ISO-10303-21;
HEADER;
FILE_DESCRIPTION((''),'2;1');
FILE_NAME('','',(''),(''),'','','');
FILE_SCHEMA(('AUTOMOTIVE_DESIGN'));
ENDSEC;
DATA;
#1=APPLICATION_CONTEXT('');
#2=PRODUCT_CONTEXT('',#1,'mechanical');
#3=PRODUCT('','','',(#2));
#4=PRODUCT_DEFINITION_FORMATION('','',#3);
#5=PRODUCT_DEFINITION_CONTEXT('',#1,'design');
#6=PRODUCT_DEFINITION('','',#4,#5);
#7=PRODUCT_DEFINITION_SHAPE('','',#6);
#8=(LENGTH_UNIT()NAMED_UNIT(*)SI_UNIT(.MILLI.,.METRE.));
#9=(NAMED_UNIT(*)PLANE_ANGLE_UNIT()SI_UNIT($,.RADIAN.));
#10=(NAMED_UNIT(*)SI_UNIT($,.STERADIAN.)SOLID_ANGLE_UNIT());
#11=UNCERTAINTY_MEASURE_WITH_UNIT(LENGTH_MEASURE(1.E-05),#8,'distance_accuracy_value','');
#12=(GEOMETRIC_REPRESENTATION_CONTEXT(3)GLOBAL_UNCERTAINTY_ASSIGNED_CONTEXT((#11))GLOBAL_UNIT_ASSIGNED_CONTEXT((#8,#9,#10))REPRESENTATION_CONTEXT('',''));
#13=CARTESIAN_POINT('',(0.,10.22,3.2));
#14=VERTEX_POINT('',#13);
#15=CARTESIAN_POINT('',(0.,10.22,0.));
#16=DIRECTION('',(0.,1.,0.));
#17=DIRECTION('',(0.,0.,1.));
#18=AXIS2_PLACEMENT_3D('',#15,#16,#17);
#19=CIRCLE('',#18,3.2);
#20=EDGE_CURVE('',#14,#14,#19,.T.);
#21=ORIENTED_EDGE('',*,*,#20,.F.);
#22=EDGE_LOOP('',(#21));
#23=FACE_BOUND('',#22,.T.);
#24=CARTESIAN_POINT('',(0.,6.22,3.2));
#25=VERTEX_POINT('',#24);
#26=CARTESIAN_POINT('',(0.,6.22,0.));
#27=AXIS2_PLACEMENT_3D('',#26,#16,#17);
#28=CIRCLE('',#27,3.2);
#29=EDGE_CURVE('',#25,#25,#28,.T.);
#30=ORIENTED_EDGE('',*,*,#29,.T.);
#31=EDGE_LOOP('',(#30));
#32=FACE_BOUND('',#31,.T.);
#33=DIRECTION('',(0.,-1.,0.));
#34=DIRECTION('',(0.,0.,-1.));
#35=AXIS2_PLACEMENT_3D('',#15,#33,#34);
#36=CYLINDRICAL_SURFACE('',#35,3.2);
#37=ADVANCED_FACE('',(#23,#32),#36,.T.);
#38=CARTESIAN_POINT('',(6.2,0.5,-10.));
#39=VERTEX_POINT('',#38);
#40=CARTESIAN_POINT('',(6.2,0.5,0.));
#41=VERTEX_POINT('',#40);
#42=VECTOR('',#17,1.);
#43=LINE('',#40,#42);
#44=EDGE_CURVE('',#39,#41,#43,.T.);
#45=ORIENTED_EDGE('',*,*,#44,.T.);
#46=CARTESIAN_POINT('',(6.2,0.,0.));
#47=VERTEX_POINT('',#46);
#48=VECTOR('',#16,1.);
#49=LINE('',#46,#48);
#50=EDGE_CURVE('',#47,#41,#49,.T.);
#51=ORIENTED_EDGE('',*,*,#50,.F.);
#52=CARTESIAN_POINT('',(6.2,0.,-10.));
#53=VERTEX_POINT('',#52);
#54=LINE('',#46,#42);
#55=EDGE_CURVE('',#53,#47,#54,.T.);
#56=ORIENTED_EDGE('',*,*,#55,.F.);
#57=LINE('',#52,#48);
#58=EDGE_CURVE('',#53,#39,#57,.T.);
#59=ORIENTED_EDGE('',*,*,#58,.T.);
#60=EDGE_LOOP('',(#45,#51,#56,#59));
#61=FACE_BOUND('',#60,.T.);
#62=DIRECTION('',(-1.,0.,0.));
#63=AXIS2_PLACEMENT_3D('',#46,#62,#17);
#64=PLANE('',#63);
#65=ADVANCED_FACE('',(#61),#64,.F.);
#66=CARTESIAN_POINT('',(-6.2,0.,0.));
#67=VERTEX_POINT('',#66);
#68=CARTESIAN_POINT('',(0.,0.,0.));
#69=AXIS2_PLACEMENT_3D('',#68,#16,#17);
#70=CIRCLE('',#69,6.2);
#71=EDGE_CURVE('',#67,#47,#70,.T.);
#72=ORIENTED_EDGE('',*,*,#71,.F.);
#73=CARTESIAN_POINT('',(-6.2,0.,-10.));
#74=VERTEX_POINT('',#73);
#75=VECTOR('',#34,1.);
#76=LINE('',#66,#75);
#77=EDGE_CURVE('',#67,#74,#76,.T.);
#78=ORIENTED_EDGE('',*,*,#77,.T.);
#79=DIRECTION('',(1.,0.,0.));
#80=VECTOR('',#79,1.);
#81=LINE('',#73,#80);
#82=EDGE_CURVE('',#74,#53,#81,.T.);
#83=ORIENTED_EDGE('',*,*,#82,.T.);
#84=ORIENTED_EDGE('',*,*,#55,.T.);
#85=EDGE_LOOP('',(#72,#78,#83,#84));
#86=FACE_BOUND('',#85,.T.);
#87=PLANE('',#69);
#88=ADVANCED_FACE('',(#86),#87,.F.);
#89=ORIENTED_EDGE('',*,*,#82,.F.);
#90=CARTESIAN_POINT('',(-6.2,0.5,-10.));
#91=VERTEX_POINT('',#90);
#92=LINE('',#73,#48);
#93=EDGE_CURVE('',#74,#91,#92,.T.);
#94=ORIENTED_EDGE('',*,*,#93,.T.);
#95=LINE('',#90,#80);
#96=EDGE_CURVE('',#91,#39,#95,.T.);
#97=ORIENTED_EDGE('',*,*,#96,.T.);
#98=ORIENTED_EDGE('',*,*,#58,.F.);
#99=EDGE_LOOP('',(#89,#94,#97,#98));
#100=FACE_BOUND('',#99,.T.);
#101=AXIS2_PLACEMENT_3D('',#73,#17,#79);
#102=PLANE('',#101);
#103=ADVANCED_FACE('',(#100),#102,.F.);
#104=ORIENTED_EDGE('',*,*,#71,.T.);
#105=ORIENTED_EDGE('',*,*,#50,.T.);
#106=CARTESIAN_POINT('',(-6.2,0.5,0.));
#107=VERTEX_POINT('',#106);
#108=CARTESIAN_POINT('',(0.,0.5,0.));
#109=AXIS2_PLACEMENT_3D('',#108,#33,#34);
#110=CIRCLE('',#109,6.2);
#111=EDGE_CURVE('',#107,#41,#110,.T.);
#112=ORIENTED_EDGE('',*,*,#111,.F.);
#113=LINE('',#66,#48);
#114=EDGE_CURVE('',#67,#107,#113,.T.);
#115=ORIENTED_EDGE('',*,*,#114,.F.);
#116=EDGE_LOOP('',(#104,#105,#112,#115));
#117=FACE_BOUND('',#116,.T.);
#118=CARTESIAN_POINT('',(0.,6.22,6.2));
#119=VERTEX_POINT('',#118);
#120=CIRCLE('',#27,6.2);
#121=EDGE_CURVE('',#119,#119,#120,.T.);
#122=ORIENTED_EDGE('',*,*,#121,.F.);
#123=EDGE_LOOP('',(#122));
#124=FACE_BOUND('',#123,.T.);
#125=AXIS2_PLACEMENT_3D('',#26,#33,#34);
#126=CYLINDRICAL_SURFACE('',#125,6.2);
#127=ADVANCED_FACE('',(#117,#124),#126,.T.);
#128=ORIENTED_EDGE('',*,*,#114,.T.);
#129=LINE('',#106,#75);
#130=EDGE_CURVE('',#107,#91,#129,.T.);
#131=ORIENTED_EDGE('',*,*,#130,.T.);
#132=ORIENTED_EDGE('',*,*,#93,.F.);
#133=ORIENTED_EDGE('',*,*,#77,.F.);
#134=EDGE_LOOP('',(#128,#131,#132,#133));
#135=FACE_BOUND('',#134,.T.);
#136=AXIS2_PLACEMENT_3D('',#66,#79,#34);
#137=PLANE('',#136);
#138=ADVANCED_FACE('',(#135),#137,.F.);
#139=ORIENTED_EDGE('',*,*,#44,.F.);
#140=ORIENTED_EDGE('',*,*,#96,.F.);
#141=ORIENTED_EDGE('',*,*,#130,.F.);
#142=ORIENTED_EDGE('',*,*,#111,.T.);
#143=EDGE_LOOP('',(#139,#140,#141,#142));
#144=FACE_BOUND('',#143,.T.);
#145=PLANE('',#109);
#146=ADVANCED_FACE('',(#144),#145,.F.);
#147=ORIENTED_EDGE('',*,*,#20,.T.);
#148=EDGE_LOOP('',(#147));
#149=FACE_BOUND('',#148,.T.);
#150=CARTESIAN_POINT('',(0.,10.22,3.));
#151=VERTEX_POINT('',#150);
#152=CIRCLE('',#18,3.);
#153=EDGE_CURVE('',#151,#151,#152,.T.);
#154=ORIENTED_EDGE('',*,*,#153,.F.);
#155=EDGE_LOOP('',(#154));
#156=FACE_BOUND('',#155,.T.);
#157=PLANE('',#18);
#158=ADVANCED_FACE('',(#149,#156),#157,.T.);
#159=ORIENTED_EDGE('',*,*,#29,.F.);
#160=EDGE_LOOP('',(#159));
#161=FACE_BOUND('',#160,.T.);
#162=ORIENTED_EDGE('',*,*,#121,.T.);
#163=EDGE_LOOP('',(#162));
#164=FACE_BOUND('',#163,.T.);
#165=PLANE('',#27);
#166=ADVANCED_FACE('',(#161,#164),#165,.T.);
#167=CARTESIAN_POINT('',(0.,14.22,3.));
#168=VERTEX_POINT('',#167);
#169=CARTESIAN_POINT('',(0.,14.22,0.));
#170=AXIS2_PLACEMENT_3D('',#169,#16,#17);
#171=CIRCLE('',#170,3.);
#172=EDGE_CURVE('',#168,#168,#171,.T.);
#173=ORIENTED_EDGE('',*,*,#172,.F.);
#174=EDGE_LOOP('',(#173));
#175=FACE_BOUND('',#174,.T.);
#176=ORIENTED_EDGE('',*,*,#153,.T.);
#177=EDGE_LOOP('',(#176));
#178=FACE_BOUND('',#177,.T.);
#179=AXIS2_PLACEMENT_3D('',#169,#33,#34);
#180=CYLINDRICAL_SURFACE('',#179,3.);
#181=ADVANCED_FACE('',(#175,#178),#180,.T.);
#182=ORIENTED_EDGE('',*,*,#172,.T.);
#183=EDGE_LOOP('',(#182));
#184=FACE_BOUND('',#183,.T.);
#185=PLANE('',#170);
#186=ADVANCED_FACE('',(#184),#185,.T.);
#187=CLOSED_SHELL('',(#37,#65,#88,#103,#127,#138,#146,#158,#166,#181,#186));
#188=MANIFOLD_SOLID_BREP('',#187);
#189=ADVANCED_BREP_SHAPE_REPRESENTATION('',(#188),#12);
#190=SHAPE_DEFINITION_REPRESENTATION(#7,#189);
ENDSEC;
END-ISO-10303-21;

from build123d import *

# Parameters (mm, degrees)
SKETCH_1_R      = 6.2
EXTRUDE_1_DEPTH = 6.22
EXTRUDE_2_DEPTH = 0.5
SKETCH_3_R      = 3.2
EXTRUDE_3_DEPTH = 4
SKETCH_4_R      = 3
EXTRUDE_4_DEPTH = 4


with BuildPart() as part:
    # Эскиз1 → Вытянуть1 (new body)
    with BuildSketch(Plane(origin=(0, 0, 0), x_dir=(1, 0, 0), z_dir=(0, 1, 0))):
        with Locations(Location((0, 0, 0), (0, 0, 270))):
            Circle(SKETCH_1_R)
    extrude(amount=EXTRUDE_1_DEPTH)

    # Эскиз2 → Вытянуть2 (add)
    with BuildSketch(Plane.XZ):
        with BuildLine():
            Line((-6.2, 0), (-6.2, -10))
            Line((-6.2, -10), (6.2, -10))
            Line((6.2, -10), (6.2, 0))
            ThreePointArc((6.2, 0), (0, 6.2), (-6.2, 0))
        make_face()
    extrude(amount=-EXTRUDE_2_DEPTH)

    # Эскиз3 → Вытянуть3 (add)
    with BuildSketch(Plane(origin=(0, 6.22, 0), x_dir=(1, 0, 0), z_dir=(0, 1, 0))):
        with Locations(Location((0, 0, 0), (0, 0, 270))):
            Circle(SKETCH_3_R)
    extrude(amount=EXTRUDE_3_DEPTH)

    # Эскиз4 → Вытянуть4 (add)
    with BuildSketch(Plane(origin=(0, 10.22, 0), x_dir=(-1, 0, 0), z_dir=(0, 1, 0))):
        with Locations(Location((0, 0, 0), (0, 0, 90))):
            Circle(SKETCH_4_R)
    extrude(amount=EXTRUDE_4_DEPTH)


solid = part.part
